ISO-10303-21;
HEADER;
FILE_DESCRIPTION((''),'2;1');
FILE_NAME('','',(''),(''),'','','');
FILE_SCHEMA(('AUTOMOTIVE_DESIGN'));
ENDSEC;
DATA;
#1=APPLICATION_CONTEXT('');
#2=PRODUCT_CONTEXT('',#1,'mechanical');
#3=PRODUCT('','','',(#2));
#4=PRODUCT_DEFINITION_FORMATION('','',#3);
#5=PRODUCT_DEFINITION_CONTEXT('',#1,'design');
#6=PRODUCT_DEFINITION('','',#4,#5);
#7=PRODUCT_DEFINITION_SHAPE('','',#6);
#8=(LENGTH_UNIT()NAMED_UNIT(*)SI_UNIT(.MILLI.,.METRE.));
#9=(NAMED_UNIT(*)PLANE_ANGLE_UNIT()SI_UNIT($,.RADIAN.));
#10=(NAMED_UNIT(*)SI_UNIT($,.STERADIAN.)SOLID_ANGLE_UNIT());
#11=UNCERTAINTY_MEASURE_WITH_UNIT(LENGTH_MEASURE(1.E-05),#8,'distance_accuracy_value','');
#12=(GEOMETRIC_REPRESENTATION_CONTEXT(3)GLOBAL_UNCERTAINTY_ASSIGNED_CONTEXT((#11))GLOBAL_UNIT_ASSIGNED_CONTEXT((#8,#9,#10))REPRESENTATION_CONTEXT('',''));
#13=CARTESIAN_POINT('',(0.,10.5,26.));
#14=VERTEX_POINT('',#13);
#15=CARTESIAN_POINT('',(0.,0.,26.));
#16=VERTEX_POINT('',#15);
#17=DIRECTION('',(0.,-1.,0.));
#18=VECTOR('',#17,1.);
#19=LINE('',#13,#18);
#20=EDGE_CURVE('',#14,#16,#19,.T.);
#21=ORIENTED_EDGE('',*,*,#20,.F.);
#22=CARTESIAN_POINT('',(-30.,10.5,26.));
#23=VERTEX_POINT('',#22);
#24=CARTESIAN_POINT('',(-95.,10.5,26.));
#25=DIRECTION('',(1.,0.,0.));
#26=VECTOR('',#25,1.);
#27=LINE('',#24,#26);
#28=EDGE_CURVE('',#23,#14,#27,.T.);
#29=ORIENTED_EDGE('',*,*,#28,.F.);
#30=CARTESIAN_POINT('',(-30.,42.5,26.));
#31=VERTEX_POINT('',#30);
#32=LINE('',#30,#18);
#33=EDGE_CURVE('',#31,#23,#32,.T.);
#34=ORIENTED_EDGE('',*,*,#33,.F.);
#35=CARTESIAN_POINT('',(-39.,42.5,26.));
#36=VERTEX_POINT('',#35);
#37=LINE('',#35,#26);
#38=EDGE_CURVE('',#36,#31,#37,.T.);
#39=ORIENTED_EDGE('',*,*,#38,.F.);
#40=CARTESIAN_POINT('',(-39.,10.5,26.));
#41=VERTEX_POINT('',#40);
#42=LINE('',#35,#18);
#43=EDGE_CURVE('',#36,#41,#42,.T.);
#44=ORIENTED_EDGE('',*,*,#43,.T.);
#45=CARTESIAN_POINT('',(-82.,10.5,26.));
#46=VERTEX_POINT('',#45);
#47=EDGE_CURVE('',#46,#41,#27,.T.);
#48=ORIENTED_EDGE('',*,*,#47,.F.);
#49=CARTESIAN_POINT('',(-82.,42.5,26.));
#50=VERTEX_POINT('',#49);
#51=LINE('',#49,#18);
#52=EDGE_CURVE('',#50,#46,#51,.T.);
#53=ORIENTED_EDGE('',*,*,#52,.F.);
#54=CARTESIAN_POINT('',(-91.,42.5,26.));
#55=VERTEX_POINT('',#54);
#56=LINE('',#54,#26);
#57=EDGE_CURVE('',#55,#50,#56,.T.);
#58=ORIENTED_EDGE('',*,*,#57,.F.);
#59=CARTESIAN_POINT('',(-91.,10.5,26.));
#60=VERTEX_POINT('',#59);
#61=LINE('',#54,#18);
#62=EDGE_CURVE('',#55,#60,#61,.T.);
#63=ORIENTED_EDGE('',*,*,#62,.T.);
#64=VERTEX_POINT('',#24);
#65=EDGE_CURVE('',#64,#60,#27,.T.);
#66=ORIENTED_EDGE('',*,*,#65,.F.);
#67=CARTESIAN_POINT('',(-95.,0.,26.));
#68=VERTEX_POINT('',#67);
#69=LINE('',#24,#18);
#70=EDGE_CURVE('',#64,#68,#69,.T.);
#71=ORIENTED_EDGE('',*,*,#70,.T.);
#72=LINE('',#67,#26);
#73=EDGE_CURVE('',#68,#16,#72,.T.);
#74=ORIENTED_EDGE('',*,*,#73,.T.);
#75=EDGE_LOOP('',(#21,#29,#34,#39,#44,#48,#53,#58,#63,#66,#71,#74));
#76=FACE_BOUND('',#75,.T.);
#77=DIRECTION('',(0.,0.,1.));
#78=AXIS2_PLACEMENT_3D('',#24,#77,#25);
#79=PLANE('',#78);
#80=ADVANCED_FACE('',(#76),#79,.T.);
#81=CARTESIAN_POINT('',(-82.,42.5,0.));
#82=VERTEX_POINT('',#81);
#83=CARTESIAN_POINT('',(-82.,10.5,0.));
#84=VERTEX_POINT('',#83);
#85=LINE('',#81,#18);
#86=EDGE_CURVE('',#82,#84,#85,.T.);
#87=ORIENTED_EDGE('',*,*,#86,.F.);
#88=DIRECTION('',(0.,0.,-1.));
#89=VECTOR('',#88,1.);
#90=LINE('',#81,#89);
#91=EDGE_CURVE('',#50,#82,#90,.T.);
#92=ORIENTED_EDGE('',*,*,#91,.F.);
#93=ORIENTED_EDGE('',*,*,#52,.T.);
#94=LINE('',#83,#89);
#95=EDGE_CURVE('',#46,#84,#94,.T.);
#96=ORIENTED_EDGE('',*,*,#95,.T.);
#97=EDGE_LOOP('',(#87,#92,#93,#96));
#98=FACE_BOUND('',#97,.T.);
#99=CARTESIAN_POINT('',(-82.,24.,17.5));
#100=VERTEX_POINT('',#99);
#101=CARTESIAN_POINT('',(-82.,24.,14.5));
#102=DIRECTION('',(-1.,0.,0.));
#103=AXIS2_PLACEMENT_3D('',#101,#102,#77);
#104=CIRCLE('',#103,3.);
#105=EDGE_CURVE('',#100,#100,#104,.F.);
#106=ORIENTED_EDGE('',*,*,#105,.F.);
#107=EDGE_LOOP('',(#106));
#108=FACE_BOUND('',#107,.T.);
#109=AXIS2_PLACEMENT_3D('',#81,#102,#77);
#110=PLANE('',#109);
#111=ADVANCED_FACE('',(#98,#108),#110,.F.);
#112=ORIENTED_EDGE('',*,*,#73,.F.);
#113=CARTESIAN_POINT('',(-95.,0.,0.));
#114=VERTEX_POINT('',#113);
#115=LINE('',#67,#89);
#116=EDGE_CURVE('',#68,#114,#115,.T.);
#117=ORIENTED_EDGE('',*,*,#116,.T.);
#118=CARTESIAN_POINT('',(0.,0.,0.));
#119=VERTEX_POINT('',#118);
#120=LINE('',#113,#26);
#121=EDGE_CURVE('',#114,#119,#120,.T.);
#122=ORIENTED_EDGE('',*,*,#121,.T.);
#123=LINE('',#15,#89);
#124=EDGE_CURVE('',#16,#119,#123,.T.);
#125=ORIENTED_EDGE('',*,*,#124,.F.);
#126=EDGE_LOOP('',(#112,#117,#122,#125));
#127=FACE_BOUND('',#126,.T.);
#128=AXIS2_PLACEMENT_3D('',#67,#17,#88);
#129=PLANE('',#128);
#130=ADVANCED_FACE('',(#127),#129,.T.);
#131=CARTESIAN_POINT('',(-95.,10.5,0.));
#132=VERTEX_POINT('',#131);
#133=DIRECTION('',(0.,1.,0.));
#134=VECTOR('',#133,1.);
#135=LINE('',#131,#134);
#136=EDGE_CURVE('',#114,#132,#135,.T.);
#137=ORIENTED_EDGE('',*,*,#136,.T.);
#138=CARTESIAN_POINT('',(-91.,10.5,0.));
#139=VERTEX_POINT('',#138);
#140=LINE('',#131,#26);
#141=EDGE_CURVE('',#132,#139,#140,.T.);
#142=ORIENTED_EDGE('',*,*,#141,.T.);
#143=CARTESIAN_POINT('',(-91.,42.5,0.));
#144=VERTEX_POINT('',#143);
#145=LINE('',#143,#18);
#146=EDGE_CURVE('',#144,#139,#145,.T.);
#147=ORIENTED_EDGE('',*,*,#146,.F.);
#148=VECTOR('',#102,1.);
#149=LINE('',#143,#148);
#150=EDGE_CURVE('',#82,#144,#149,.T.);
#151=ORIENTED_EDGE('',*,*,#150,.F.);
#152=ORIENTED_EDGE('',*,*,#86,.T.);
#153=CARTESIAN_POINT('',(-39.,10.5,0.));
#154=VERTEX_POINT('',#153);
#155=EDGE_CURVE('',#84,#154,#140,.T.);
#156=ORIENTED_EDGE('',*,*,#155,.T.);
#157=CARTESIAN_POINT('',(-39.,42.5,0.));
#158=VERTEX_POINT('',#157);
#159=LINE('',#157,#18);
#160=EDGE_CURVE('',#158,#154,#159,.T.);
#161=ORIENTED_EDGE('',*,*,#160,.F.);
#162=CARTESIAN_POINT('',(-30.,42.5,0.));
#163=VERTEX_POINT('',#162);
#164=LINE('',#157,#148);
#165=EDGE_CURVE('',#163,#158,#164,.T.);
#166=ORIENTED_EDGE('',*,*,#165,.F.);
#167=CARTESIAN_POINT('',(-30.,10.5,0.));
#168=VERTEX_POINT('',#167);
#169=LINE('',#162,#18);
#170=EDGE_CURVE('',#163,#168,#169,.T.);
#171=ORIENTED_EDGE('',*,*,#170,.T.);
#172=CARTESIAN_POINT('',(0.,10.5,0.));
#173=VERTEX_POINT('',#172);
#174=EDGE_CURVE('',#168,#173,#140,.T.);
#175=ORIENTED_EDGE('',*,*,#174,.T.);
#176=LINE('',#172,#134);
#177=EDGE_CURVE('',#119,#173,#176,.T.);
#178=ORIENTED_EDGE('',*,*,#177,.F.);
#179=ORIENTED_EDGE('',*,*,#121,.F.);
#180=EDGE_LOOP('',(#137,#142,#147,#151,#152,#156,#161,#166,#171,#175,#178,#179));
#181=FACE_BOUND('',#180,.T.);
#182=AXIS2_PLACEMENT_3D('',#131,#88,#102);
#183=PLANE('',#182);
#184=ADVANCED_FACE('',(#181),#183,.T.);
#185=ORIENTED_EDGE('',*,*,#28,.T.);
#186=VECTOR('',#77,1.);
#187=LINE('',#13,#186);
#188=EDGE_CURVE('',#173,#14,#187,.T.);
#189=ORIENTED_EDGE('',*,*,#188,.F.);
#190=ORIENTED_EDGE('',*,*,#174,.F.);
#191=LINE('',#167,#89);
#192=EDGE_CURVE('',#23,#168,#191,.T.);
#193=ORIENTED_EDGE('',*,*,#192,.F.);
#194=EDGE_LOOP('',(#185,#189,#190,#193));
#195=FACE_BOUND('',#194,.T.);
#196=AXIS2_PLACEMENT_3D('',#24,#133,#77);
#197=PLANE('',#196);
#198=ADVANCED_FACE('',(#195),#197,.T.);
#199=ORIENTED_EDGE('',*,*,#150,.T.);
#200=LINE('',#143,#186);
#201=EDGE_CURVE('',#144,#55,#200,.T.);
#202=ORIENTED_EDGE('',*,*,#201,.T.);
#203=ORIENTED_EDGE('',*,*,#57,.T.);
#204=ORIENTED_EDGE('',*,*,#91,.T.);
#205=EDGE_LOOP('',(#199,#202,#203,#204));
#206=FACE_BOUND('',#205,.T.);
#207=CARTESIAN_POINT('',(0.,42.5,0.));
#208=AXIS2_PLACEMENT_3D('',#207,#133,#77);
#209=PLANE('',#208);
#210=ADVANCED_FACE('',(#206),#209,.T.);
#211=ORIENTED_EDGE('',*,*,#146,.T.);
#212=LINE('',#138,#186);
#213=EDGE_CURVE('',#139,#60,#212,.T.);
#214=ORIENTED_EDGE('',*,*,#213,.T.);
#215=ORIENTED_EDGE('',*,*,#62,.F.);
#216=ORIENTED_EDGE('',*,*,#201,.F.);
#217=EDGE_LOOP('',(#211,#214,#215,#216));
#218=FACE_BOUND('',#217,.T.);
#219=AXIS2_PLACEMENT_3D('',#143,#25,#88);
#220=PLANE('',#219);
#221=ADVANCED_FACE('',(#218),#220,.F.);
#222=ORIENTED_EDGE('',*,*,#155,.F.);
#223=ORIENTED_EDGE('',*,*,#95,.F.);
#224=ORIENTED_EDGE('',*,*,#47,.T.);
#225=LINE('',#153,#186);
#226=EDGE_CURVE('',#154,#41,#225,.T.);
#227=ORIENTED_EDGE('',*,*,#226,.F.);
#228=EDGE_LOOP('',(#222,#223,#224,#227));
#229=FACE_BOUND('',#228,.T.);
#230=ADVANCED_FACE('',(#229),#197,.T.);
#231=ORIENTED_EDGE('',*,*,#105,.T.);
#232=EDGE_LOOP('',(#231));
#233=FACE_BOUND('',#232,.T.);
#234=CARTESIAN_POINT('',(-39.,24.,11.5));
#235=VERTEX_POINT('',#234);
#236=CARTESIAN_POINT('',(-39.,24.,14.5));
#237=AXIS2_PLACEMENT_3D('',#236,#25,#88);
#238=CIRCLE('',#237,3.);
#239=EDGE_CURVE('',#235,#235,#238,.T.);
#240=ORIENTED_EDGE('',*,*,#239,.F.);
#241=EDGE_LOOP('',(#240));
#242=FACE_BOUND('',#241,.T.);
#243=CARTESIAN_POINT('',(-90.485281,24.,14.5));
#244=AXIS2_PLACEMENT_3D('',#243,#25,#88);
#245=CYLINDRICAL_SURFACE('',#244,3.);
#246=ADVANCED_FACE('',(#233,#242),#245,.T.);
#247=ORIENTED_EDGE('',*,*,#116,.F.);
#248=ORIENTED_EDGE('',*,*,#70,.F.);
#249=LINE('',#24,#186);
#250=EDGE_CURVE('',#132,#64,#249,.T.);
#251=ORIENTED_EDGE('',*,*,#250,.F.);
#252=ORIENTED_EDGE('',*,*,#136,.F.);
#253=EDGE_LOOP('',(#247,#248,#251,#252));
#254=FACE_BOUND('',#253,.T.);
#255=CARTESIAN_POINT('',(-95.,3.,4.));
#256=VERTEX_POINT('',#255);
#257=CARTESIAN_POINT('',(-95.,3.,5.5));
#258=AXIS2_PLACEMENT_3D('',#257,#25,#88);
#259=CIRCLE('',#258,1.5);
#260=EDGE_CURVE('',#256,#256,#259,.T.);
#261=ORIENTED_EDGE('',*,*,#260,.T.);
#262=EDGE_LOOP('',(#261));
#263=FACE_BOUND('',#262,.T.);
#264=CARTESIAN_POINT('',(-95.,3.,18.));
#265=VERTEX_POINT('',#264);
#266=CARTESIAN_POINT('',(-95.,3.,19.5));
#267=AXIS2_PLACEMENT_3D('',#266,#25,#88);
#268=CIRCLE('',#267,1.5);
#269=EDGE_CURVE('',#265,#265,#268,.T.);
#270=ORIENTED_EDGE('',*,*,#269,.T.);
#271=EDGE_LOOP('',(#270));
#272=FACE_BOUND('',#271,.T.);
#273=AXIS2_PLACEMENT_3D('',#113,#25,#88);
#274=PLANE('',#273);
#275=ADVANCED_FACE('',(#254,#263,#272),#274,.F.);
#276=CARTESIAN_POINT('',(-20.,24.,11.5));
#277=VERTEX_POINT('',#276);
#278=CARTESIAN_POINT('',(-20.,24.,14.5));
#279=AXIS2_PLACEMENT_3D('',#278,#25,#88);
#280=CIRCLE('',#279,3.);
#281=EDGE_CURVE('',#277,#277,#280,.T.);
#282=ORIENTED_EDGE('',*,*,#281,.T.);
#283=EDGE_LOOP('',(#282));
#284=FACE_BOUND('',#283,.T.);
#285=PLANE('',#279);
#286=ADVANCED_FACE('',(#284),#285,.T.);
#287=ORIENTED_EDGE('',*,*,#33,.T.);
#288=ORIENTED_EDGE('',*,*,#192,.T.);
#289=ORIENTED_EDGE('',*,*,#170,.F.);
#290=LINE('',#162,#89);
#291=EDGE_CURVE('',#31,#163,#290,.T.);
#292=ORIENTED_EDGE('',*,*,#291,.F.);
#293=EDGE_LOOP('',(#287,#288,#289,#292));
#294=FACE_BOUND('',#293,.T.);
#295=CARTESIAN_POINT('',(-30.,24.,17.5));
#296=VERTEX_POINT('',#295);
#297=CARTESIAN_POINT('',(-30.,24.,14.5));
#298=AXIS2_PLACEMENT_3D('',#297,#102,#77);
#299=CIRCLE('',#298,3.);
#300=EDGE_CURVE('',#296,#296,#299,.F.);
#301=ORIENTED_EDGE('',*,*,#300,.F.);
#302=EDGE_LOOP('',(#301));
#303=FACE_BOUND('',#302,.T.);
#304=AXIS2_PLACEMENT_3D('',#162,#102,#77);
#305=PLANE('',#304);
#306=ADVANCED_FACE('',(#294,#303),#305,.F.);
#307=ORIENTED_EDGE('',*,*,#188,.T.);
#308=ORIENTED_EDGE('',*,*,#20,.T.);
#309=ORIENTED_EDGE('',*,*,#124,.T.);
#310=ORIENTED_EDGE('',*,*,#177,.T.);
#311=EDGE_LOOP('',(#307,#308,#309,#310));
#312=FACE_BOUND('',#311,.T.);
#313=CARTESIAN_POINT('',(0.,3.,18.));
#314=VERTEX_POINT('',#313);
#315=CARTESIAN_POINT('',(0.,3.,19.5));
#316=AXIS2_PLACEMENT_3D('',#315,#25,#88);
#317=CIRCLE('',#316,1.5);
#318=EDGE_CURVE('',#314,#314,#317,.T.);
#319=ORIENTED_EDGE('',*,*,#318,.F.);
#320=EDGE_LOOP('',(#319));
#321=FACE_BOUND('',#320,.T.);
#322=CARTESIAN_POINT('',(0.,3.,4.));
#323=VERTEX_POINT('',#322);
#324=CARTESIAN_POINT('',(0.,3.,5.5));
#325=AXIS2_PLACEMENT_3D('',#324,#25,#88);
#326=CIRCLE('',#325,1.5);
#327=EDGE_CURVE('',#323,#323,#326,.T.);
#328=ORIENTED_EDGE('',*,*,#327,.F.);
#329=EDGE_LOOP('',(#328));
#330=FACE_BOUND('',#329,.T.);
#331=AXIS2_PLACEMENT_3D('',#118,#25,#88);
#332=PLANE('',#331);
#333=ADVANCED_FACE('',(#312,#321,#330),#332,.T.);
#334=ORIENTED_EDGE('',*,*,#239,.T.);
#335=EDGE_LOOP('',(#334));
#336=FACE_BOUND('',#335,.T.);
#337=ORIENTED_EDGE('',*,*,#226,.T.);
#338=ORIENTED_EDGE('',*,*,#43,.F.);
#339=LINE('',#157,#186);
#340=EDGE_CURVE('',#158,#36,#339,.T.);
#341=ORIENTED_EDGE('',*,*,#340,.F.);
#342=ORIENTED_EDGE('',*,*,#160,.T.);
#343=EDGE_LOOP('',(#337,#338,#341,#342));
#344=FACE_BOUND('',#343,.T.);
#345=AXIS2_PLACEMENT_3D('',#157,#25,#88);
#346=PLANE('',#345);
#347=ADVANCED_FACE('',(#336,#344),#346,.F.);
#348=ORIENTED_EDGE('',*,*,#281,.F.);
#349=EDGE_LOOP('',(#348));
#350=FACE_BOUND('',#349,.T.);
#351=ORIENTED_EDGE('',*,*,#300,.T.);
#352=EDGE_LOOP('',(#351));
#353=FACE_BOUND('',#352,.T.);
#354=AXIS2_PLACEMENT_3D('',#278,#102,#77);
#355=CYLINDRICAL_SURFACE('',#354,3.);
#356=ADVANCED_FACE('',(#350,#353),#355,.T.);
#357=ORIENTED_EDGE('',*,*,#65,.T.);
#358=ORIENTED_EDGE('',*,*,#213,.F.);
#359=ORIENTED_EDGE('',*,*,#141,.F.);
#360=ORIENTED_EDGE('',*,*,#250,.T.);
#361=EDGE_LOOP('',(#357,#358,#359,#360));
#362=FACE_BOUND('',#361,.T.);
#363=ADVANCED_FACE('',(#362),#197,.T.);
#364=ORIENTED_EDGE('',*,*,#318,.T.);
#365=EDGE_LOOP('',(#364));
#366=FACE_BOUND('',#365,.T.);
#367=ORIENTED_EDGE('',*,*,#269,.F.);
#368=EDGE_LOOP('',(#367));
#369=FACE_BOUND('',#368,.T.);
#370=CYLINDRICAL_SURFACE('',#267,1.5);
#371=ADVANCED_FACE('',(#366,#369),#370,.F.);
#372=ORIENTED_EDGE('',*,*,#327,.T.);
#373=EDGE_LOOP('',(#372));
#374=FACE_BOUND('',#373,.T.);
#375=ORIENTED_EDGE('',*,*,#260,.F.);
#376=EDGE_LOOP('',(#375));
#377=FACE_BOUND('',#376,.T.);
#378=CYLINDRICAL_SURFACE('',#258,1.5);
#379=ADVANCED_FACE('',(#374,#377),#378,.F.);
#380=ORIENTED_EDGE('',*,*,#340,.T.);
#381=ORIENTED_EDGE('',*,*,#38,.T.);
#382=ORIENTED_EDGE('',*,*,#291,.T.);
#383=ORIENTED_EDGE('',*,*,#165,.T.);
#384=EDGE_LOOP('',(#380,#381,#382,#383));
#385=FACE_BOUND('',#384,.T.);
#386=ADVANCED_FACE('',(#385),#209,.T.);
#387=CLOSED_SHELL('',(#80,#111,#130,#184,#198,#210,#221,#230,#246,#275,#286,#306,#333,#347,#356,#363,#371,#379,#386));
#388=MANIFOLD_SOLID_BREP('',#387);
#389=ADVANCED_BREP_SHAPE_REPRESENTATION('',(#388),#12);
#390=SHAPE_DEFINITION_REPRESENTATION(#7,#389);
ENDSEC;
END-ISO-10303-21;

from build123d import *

# Parameters (mm, degrees)
SKETCH_1_W      = 26
SKETCH_1_H      = 10.5
SKETCH_1_R      = 1.5
EXTRUDE_1_DEPTH = 95
SKETCH_2_W      = 9
SKETCH_2_H      = 26
EXTRUDE_2_DEPTH = 32
SKETCH_4_R      = 3
EXTRUDE_3_DEPTH = 52
EXTRUDE_START   = 10
SKETCH_4_5_R    = 3
EXTRUDE_4_DEPTH = 10


with BuildPart() as part:
    # 草图1 → 凸台-拉伸1 (new body)
    with BuildSketch(Plane(origin=(0, 0, 0), x_dir=(0, 0, -1), z_dir=(1, 0, 0))):
        with Locations((-13, 5.25)):
            Rectangle(SKETCH_1_W, SKETCH_1_H)
        with Locations((-19.5, 3)):
            Circle(SKETCH_1_R, mode=Mode.SUBTRACT)
        with Locations((-5.5, 3)):
            Circle(SKETCH_1_R, mode=Mode.SUBTRACT)
    extrude(amount=-EXTRUDE_1_DEPTH)

    # 草图2 → 凸台-拉伸2 (add)
    with BuildSketch(Plane(origin=(0, 10.5, 0), x_dir=(1, 0, 0), z_dir=(0, 1, 0))):
        with Locations((-34.5, -13)):
            Rectangle(SKETCH_2_W, SKETCH_2_H)
        with Locations((-86.5, -13)):
            Rectangle(SKETCH_2_W, SKETCH_2_H)
    extrude(amount=EXTRUDE_2_DEPTH)

    # 草图4 → 凸台-拉伸3 (add)
    with BuildSketch(Plane(origin=(-30, 0, 0), x_dir=(0, 0, -1), z_dir=(1, 0, 0))):
        with Locations((-14.5, 24)):
            Circle(SKETCH_4_R)
    extrude(amount=-EXTRUDE_3_DEPTH)

    # 草图4<5> → 凸台-拉伸4 (add)
    with BuildSketch(Plane(origin=(-30, 0, 0), x_dir=(0, 0, -1), z_dir=(1, 0, 0)).offset(EXTRUDE_START)):
        with Locations((-14.5, 24)):
            Circle(SKETCH_4_5_R)
    extrude(amount=-EXTRUDE_4_DEPTH)


solid = part.part
